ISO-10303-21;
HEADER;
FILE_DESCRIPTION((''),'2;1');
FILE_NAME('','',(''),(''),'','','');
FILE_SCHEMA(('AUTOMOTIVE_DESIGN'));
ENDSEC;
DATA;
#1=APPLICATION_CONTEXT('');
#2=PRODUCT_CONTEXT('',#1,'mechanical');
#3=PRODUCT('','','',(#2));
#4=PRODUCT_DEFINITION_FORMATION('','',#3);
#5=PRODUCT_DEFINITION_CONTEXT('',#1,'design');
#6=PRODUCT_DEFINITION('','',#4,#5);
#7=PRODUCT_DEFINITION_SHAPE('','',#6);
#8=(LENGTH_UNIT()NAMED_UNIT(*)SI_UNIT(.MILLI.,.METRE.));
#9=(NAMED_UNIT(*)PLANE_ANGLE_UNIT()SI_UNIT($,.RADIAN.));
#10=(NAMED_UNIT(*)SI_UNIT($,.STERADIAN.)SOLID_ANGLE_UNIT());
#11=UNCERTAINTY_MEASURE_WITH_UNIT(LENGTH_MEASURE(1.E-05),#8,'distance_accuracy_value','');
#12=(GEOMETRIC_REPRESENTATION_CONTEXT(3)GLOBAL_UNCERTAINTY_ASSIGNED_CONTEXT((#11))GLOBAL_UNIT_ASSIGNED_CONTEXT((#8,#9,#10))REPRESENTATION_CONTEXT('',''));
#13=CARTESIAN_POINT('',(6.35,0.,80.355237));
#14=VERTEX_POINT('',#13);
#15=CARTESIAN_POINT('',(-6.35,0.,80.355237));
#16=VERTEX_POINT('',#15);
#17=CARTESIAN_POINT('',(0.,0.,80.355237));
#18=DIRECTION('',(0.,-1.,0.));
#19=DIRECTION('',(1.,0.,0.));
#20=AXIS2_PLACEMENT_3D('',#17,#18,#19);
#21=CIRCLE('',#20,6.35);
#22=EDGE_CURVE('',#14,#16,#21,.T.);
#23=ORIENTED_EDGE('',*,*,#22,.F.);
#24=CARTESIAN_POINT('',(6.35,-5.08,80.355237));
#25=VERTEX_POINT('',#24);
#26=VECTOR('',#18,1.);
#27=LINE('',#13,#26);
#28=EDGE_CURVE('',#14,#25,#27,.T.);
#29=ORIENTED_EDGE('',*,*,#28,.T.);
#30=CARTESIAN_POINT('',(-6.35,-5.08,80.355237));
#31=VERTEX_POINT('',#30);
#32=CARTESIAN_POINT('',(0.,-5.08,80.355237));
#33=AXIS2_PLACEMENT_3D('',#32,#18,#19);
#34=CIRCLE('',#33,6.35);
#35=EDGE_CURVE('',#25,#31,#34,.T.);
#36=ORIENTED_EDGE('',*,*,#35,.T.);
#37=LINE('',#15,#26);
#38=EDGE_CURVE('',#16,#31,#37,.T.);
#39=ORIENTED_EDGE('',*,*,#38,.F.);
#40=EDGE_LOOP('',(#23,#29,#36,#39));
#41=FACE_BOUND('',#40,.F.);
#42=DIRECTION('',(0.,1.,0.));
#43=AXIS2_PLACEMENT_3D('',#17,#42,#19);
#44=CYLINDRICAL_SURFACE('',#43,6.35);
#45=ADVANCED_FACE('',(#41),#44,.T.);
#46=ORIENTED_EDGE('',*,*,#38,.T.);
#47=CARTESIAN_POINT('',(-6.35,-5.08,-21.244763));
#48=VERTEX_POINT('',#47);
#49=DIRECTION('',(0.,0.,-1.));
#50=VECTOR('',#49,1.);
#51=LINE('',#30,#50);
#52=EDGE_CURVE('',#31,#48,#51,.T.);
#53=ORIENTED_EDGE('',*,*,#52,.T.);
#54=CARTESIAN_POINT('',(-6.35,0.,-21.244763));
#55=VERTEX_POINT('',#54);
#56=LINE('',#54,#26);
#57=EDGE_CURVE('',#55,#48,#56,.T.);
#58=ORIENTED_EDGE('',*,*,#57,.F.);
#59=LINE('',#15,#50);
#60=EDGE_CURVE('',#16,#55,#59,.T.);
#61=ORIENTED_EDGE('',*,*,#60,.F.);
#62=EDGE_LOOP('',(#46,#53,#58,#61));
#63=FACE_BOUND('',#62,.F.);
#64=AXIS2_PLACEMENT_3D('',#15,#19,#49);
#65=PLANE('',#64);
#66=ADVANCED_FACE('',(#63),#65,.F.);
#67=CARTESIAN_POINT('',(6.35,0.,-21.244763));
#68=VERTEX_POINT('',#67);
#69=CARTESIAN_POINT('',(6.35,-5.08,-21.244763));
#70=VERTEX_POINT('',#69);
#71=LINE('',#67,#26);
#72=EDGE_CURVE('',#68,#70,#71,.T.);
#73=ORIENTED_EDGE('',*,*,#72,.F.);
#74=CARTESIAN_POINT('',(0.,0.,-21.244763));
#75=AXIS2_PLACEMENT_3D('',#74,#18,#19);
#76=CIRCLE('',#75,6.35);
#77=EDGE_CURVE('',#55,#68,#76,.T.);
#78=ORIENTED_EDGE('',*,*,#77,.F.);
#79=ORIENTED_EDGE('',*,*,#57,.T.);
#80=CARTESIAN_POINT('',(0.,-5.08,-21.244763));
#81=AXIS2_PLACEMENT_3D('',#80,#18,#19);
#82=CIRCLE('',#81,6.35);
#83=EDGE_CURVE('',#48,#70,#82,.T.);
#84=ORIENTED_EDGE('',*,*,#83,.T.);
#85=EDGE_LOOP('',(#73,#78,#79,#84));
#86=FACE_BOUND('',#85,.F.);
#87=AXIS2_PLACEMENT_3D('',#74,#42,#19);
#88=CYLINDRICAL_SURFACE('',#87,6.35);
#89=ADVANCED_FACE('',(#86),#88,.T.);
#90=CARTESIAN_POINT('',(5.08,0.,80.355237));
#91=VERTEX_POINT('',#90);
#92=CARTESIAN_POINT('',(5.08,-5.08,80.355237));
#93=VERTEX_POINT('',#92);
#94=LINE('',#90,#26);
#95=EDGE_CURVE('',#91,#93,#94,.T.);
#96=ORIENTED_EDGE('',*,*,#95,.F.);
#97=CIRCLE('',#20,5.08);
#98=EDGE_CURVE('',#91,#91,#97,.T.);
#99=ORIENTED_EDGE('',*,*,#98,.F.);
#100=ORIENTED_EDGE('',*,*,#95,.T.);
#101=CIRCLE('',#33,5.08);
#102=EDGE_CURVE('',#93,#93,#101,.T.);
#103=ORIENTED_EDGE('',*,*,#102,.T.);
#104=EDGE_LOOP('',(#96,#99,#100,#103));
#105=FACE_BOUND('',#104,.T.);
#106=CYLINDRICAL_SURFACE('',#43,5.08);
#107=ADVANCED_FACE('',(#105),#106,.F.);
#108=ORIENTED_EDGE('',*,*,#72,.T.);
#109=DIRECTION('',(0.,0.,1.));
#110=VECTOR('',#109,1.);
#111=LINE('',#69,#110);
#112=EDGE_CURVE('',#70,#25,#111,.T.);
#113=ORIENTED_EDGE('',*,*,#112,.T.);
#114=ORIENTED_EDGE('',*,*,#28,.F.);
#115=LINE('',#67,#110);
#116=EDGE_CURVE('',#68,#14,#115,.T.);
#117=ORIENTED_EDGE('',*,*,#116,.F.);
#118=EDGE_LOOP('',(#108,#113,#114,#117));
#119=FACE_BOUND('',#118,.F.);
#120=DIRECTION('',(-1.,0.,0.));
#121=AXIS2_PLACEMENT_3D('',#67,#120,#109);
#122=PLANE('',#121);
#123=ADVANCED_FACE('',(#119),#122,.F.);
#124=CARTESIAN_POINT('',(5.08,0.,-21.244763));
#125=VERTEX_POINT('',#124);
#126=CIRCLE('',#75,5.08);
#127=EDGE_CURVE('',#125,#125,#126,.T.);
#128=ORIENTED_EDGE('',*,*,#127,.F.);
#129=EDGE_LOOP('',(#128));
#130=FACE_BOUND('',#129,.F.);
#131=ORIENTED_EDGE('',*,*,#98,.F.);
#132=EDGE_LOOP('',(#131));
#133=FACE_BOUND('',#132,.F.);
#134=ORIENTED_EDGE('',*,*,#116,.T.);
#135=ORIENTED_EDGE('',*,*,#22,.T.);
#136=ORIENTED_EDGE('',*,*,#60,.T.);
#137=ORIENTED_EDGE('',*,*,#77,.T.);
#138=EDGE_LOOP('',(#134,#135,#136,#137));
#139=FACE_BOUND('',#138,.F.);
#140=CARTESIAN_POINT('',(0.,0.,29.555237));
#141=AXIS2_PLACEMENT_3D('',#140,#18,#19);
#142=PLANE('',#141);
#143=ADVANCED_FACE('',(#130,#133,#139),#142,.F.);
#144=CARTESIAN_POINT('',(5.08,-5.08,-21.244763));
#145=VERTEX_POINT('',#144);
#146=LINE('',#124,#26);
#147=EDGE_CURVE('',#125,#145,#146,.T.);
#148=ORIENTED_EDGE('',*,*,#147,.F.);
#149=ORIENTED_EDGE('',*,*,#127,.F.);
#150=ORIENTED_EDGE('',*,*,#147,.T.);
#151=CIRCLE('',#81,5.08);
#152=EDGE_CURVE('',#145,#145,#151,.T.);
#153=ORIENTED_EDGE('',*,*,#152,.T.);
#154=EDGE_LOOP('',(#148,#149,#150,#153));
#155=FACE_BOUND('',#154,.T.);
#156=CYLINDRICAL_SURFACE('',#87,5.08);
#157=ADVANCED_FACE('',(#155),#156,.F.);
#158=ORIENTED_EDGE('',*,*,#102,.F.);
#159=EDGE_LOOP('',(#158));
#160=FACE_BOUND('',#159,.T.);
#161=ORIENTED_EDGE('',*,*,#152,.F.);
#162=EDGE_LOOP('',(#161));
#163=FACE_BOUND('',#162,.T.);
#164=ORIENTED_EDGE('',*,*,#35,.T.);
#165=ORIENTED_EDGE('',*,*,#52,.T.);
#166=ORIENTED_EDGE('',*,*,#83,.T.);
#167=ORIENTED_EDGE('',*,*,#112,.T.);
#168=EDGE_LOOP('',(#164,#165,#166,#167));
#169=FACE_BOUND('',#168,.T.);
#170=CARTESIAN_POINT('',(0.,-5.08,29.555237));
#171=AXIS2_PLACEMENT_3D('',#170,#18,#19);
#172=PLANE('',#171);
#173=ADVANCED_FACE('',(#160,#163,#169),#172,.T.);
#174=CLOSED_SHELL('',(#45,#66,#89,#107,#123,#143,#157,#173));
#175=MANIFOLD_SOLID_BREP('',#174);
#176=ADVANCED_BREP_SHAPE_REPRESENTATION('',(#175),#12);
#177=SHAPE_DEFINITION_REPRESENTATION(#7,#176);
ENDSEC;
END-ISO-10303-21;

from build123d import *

# Parameters (mm, degrees)
F0_R     = 5.08
F1_DEPTH = 5.08


with BuildPart() as f1:
    # F0 (on Front) → F1 (new body)
    with BuildSketch(Plane.XZ):
        with BuildLine():
            Line((6.35, -21.244763), (6.35, 80.355237))
            ThreePointArc((6.35, 80.355237), (0, 74.005237), (-6.35, 80.355237))
            Line((-6.35, 80.355237), (-6.35, -21.244763))
            ThreePointArc((-6.35, -21.244763), (0, -14.894763), (6.35, -21.244763))
        make_face()
        with BuildLine():
            ThreePointArc((-6.35, 80.355237), (0, 74.005237), (6.35, 80.355237))
            ThreePointArc((6.35, 80.355237), (0, 86.705237), (-6.35, 80.355237))
        make_face()
        with Locations((0, 80.355237)):
            Circle(F0_R, mode=Mode.SUBTRACT)
        with BuildLine():
            ThreePointArc((-6.35, -21.244763), (0, -27.594763), (6.35, -21.244763))
            ThreePointArc((6.35, -21.244763), (0, -14.894763), (-6.35, -21.244763))
        make_face()
        with Locations((0, -21.244763)):
            Circle(F0_R, mode=Mode.SUBTRACT)
    extrude(amount=F1_DEPTH)


solid = f1.part
